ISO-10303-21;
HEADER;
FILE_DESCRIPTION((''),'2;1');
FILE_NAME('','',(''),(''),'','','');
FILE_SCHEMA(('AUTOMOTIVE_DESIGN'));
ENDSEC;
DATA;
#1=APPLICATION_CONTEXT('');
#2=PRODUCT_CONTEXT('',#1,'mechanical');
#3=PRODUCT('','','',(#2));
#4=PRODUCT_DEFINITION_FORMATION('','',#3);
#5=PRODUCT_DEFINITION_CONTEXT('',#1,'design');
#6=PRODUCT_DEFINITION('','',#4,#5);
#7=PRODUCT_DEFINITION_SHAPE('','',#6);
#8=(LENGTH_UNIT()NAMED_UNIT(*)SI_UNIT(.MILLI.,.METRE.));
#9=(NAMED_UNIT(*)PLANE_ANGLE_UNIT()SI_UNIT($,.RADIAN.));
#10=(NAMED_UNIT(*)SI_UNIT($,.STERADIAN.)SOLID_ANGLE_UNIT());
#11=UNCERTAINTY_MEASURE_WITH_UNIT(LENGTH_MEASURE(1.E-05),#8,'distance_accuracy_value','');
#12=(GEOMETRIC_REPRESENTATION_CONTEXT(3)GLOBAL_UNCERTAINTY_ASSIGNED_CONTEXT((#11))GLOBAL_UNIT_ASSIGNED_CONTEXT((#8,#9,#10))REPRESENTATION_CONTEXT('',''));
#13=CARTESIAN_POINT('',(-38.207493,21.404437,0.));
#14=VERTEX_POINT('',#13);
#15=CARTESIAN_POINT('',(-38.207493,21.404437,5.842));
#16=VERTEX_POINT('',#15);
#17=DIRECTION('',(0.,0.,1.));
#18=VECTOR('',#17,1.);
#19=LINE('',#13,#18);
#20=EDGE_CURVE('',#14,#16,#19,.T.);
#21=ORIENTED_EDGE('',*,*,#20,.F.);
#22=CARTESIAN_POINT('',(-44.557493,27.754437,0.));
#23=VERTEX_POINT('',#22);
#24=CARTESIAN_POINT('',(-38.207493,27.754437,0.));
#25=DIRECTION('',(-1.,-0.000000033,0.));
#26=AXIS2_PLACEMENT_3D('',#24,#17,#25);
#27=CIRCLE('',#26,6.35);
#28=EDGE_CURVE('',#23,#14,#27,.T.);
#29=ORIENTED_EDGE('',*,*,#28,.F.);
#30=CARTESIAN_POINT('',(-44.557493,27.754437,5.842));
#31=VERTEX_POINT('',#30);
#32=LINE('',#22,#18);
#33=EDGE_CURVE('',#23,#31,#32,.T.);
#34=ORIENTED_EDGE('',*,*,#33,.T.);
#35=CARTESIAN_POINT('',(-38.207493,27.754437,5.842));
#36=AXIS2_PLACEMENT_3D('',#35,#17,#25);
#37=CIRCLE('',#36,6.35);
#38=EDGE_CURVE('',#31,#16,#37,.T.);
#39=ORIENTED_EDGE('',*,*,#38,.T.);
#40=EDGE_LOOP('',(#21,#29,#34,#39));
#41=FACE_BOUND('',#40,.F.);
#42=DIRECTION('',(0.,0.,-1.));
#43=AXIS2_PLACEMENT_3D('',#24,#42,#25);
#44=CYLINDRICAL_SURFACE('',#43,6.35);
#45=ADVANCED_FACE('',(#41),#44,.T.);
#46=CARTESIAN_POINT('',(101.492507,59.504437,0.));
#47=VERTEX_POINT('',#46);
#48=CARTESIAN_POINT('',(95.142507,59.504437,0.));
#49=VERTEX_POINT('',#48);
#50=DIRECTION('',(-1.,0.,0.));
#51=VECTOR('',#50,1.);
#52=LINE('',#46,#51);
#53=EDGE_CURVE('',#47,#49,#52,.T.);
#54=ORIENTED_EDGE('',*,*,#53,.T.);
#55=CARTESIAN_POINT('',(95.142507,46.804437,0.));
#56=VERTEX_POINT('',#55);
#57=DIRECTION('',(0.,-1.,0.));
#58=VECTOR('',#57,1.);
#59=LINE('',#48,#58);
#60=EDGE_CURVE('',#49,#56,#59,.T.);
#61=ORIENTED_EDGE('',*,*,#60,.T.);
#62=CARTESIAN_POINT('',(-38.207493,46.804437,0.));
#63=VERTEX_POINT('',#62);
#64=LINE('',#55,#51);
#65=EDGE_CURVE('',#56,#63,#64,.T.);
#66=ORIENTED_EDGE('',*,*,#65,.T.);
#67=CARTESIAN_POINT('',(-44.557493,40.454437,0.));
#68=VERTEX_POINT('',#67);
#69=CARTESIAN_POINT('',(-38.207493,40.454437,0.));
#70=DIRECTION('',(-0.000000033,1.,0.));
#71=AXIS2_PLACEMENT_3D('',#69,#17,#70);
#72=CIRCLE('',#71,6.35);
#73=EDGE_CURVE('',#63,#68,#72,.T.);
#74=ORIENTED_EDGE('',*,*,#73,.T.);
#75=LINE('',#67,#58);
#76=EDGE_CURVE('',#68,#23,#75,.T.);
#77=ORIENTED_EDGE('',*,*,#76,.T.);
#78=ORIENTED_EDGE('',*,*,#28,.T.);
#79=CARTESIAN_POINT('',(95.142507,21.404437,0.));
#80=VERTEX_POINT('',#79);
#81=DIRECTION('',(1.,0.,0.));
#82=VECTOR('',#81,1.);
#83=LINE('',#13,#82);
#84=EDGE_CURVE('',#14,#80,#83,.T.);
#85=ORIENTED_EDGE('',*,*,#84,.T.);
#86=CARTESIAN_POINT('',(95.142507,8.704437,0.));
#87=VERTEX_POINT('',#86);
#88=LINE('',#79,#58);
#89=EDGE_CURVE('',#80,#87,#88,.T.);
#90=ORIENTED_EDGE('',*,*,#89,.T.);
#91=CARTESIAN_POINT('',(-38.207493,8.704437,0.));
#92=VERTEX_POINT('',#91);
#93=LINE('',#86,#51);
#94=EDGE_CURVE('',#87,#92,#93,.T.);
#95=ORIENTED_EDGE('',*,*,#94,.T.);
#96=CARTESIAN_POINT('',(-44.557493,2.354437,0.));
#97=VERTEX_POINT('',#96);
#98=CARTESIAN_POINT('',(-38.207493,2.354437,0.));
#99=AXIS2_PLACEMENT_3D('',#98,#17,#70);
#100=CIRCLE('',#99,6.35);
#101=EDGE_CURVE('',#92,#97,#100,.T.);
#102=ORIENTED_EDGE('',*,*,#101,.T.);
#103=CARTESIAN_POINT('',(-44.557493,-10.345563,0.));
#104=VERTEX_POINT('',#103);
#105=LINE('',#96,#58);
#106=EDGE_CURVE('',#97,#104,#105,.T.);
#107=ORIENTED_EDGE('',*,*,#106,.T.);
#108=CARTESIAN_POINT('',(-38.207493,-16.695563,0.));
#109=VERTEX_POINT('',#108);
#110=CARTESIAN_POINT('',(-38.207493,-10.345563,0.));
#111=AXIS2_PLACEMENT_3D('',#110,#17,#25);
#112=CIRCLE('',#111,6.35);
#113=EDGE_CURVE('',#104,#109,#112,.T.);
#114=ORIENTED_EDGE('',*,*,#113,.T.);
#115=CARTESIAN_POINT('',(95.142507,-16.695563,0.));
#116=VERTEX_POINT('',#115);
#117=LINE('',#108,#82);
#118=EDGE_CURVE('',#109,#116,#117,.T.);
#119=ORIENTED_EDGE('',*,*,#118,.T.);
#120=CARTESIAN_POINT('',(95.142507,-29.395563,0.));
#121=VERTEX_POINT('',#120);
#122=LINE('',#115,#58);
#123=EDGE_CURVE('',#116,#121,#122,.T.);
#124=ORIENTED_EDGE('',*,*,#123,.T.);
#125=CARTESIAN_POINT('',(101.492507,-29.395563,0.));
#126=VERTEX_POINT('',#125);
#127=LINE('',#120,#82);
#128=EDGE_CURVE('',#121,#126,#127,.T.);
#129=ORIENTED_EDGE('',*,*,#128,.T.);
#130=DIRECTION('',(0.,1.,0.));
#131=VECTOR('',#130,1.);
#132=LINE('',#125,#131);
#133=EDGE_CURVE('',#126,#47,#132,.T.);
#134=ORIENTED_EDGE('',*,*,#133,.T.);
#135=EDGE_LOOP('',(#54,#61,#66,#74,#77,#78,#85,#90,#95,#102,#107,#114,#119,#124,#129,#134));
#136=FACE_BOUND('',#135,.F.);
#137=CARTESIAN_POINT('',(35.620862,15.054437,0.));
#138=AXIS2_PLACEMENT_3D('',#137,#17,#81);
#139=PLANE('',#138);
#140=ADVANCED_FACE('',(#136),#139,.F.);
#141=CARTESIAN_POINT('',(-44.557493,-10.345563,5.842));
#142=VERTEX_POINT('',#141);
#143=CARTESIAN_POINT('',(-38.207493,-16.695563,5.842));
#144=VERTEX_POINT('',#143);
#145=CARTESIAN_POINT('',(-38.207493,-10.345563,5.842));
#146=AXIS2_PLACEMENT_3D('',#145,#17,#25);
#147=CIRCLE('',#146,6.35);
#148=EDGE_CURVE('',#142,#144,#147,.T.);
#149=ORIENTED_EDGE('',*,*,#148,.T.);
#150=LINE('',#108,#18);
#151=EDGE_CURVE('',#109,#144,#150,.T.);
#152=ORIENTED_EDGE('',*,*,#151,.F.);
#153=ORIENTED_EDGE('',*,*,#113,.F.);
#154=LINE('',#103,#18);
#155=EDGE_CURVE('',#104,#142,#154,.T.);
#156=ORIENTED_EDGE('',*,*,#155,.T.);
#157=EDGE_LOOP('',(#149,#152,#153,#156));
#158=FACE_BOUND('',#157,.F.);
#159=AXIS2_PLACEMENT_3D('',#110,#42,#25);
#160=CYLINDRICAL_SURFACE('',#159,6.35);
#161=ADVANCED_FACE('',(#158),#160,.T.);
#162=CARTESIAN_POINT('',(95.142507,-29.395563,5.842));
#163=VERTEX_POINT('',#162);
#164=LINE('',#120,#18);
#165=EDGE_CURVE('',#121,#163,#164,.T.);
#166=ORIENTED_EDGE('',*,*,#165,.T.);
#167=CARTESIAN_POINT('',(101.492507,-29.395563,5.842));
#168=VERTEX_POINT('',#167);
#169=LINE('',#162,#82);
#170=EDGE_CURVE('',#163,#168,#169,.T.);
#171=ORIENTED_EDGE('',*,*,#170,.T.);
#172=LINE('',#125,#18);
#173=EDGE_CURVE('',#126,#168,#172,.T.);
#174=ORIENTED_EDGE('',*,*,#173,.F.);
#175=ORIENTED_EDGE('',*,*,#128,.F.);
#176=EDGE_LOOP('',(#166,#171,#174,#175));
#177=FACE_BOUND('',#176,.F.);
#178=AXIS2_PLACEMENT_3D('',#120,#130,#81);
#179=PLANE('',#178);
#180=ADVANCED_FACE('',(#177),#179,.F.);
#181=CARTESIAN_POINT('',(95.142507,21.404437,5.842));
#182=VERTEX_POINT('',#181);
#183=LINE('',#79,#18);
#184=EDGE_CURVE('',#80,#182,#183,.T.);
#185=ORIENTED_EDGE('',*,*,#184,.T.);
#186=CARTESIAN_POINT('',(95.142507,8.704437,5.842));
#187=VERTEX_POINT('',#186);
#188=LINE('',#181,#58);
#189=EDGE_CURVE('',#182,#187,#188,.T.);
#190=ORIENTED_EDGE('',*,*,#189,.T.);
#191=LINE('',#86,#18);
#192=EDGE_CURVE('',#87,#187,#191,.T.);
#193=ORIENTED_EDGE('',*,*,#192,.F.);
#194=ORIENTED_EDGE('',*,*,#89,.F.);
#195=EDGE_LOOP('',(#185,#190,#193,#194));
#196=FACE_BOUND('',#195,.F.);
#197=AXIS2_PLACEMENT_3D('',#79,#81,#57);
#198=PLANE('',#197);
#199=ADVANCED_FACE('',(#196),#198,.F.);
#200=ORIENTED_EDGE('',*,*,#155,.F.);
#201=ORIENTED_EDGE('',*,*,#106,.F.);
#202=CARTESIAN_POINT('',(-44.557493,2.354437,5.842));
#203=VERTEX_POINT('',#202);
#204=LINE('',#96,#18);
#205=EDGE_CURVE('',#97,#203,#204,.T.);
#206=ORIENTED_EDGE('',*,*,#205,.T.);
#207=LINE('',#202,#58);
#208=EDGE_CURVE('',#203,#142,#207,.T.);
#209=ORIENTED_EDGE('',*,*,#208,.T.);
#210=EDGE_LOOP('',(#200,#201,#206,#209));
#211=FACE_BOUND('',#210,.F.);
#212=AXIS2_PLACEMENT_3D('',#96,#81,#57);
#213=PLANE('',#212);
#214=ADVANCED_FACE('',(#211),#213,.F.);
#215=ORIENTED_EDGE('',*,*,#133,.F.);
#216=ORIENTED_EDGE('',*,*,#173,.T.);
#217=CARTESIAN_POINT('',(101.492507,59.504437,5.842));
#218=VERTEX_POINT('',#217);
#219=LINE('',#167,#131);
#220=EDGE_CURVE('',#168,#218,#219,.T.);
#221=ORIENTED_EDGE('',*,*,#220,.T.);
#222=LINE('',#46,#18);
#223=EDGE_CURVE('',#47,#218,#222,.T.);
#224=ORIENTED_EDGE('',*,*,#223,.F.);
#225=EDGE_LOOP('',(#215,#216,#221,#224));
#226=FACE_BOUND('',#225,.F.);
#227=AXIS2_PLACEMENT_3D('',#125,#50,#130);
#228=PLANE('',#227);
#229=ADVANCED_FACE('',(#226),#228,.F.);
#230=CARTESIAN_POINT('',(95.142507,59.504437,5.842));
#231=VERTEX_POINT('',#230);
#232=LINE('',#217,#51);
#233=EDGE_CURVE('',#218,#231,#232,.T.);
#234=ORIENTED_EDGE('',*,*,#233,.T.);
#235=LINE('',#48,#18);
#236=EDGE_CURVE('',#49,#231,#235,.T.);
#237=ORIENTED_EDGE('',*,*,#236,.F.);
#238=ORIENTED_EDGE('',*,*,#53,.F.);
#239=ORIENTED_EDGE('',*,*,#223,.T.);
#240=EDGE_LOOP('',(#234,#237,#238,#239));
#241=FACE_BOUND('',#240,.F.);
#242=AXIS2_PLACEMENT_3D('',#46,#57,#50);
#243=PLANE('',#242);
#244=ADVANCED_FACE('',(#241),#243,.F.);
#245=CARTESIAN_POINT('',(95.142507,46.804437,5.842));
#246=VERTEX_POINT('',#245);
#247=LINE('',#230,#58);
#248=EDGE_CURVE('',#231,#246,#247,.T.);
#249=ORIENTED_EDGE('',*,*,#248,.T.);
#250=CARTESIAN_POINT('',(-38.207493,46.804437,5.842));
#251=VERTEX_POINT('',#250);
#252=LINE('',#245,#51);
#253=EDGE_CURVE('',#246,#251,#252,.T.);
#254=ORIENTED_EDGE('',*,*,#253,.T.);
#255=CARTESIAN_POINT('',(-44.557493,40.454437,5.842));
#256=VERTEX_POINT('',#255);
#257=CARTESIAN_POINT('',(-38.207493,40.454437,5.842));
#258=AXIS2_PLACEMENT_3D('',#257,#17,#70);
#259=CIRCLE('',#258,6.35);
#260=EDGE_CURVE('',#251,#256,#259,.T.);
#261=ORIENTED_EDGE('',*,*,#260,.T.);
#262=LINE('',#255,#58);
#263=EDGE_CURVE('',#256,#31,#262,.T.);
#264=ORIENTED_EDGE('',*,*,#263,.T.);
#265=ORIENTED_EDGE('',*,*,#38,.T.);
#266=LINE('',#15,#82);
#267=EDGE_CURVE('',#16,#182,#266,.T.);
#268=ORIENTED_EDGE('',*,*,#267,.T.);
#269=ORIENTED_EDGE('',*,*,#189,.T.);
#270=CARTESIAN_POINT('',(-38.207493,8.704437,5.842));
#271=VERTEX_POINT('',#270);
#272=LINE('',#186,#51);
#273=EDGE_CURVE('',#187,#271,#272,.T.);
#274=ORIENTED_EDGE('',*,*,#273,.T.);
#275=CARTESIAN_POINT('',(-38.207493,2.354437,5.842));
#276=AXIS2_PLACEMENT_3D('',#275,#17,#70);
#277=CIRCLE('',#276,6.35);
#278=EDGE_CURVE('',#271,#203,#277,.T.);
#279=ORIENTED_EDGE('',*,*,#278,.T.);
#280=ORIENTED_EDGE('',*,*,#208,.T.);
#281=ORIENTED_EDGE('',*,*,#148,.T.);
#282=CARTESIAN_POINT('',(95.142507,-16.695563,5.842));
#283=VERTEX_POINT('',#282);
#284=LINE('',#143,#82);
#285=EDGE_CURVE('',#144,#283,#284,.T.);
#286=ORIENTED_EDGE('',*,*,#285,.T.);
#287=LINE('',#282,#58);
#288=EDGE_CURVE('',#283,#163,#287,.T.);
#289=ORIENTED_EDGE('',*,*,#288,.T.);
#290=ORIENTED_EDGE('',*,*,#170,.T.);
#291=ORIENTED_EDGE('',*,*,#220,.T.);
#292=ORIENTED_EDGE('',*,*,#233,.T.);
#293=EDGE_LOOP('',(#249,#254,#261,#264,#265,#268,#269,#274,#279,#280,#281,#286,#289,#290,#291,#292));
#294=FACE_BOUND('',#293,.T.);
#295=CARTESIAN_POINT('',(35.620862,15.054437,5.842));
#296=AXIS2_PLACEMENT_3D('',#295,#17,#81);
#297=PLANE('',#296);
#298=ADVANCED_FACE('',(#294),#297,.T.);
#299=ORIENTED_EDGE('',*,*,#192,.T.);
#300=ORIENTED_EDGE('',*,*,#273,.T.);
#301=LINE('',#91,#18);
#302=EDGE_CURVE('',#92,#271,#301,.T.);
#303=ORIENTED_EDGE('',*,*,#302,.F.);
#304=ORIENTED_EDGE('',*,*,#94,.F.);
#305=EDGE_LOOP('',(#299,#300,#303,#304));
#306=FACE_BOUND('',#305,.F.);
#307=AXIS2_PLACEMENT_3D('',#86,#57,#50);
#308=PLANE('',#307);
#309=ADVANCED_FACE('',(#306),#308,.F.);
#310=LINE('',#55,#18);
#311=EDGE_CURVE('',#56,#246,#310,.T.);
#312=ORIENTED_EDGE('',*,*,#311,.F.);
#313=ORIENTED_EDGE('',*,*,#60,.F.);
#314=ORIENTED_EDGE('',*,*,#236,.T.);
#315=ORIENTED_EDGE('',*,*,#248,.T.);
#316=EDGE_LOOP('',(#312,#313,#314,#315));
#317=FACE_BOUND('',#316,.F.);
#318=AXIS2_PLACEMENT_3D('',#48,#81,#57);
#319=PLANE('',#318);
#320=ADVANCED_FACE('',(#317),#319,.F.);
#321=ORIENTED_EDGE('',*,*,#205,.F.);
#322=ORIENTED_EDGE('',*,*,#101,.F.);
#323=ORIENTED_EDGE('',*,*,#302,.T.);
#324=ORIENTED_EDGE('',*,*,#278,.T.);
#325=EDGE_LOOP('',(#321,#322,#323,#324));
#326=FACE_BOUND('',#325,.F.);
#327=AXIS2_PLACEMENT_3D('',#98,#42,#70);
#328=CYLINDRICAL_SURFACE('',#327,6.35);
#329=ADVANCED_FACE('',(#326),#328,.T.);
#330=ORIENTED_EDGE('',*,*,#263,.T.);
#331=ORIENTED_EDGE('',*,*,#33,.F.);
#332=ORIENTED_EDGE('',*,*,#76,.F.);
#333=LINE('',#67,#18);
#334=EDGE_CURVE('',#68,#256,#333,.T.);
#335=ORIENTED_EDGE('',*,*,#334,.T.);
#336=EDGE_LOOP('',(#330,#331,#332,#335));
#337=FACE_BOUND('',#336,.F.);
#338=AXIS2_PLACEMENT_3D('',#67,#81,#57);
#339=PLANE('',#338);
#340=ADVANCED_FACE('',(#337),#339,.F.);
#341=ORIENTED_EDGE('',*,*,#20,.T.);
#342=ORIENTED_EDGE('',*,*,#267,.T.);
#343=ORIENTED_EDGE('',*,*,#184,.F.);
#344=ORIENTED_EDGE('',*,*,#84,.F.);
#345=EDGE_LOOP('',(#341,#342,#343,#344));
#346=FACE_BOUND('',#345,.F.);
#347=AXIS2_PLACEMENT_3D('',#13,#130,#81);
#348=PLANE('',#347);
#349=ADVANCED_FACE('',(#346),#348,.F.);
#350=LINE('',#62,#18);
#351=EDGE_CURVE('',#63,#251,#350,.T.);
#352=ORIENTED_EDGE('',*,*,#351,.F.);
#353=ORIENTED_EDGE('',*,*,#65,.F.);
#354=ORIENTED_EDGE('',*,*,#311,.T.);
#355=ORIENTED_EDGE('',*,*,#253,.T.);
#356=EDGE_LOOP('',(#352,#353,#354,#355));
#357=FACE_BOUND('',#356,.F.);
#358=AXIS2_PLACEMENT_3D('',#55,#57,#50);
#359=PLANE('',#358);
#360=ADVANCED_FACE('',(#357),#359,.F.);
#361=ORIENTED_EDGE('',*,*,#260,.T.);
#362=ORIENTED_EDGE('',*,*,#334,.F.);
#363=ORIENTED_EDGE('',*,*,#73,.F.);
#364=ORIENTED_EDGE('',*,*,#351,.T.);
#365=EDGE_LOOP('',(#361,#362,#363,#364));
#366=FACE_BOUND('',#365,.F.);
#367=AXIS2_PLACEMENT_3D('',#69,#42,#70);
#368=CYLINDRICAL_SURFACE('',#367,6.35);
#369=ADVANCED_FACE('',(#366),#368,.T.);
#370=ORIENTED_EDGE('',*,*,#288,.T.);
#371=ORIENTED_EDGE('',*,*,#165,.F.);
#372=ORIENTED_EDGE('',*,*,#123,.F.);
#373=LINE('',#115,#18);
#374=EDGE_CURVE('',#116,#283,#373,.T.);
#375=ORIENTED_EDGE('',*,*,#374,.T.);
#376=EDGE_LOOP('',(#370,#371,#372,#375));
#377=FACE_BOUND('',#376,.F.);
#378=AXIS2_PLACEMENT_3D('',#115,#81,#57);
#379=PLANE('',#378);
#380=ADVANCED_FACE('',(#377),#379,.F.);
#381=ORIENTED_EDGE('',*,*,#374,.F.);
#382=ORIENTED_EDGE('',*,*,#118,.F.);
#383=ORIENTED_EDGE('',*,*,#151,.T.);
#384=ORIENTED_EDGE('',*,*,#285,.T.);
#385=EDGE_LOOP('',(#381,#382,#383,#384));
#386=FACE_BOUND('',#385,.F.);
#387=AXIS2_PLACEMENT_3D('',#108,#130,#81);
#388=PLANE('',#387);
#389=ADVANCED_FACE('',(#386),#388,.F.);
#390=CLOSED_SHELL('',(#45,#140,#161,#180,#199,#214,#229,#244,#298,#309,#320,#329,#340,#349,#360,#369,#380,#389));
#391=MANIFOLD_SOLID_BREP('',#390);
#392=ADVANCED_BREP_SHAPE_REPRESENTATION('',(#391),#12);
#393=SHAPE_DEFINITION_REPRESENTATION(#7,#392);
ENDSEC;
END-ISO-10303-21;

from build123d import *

# Parameters (mm, degrees)
F1_DEPTH = 5.842


with BuildPart() as f1:
    # F0 (on Top) → F1 (new body)
    with BuildSketch(Plane.XY):
        with BuildLine():
            Line((95.142507, 46.804437), (-38.207493, 46.804437))
            ThreePointArc((-38.207493, 46.804437), (-42.697621, 44.944565), (-44.557493, 40.454437))
            Line((-44.557493, 40.454437), (-44.557493, 27.754437))
            ThreePointArc((-44.557493, 27.754437), (-42.697621, 23.264309), (-38.207493, 21.404437))
            Line((-38.207493, 21.404437), (95.142507, 21.404437))
            Line((95.142507, 21.404437), (95.142507, 8.704437))
            Line((95.142507, 8.704437), (-38.207493, 8.704437))
            ThreePointArc((-38.207493, 8.704437), (-42.697621, 6.844565), (-44.557493, 2.354437))
            Line((-44.557493, 2.354437), (-44.557493, -10.345563))
            ThreePointArc((-44.557493, -10.345563), (-42.697621, -14.835691), (-38.207493, -16.695563))
            Line((-38.207493, -16.695563), (95.142507, -16.695563))
            Line((95.142507, -16.695563), (95.142507, -29.395563))
            Line((95.142507, -29.395563), (101.492507, -29.395563))
            Line((101.492507, -29.395563), (101.492507, 59.504437))
            Line((101.492507, 59.504437), (95.142507, 59.504437))
            Line((95.142507, 59.504437), (95.142507, 46.804437))
        make_face()
    extrude(amount=F1_DEPTH)


solid = f1.part
